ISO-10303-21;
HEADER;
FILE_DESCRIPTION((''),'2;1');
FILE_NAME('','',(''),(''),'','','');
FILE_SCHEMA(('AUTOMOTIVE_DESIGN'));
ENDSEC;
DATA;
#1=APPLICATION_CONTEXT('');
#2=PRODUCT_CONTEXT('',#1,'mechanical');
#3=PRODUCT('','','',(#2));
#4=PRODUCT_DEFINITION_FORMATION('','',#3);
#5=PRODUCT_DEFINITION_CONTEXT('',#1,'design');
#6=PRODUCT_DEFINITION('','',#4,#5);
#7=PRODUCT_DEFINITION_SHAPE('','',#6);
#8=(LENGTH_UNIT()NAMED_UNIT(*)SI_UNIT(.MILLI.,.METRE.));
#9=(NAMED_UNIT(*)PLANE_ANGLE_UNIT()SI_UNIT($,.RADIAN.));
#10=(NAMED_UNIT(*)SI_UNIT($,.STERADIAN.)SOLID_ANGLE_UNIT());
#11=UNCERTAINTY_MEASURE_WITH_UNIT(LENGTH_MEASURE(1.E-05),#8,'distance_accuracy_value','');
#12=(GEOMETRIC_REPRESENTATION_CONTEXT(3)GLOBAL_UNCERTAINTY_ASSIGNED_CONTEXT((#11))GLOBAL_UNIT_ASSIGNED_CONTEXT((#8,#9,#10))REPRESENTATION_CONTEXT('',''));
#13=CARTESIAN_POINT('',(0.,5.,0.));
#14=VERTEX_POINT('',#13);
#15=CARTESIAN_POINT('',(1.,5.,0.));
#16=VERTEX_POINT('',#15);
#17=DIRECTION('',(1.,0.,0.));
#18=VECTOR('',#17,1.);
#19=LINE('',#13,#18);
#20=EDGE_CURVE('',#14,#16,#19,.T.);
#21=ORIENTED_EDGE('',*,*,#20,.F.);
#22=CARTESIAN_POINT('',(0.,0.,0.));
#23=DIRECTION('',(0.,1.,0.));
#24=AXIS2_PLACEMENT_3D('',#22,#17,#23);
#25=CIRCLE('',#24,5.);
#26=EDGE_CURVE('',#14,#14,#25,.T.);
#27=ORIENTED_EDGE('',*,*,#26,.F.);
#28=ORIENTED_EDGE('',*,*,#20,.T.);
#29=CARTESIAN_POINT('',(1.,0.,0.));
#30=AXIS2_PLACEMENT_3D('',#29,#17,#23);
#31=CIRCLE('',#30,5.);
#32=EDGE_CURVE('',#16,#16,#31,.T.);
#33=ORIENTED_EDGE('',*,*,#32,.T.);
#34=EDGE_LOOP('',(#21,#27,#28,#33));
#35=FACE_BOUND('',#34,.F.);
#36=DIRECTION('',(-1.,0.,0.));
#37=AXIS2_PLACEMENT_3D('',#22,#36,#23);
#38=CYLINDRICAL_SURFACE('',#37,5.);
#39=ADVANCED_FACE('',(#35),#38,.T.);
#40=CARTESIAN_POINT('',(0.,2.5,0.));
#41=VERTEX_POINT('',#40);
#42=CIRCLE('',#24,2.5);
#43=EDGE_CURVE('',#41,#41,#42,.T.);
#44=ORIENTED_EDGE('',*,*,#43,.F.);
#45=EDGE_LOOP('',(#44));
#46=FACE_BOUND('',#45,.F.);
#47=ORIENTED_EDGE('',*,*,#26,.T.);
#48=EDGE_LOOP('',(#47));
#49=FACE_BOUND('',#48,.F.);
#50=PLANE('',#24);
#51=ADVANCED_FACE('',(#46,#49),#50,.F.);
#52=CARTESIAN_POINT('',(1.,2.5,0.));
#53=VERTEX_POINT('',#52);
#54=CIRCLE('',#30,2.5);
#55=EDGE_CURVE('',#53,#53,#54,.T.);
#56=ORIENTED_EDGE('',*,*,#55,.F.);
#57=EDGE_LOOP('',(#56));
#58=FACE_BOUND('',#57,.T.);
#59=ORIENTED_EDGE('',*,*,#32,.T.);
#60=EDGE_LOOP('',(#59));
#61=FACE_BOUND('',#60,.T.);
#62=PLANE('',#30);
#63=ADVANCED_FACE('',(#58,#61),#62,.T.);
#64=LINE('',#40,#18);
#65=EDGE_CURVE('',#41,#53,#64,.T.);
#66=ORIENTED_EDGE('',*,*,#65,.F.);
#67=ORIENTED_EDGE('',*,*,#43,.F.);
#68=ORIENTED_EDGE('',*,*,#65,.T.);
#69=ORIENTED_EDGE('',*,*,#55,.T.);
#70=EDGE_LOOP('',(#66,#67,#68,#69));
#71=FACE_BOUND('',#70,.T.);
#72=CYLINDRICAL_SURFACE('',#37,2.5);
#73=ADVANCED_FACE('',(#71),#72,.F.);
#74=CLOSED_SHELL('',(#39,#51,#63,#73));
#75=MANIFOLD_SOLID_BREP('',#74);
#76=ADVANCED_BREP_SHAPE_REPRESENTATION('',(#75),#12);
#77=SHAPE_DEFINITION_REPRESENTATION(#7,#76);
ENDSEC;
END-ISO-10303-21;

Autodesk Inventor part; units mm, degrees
ref_plane "YZ Plane" through (0, 0, 0) normal (1, 0, 0) x (0, 1, 0)
ref_plane "XZ Plane" through (0, 0, 0) normal (0, 1, 0) x (-1, 0, 0)
sketch "Sketch" plane through (0, 0, 0) normal (1, 0, 0) x (0, 1, 0)
  circle A0 centre (0, 0) radius 5
  circle A1 centre (0, 0) radius 2.5
  dimension "d0" = 5
  dimension "d1" = 10
extrude "Body" add sketch "Sketch" along normal blind 1
ref_plane "Work Plane1" through (0, 0, 0) normal (0, 0, 1) x (1, 0, 0)
equation "\"d0\" = SD1"
equation "\"d1\" = SD2"
equation "\"d2\" = SD"
equation "\"SD1\" = NND"
equation "\"SD2\" = 10"
equation "\"SD\" = 1"
equation "\"NND\" = 5"
properties part number "ISO 8738 - 5" material "Steel"
